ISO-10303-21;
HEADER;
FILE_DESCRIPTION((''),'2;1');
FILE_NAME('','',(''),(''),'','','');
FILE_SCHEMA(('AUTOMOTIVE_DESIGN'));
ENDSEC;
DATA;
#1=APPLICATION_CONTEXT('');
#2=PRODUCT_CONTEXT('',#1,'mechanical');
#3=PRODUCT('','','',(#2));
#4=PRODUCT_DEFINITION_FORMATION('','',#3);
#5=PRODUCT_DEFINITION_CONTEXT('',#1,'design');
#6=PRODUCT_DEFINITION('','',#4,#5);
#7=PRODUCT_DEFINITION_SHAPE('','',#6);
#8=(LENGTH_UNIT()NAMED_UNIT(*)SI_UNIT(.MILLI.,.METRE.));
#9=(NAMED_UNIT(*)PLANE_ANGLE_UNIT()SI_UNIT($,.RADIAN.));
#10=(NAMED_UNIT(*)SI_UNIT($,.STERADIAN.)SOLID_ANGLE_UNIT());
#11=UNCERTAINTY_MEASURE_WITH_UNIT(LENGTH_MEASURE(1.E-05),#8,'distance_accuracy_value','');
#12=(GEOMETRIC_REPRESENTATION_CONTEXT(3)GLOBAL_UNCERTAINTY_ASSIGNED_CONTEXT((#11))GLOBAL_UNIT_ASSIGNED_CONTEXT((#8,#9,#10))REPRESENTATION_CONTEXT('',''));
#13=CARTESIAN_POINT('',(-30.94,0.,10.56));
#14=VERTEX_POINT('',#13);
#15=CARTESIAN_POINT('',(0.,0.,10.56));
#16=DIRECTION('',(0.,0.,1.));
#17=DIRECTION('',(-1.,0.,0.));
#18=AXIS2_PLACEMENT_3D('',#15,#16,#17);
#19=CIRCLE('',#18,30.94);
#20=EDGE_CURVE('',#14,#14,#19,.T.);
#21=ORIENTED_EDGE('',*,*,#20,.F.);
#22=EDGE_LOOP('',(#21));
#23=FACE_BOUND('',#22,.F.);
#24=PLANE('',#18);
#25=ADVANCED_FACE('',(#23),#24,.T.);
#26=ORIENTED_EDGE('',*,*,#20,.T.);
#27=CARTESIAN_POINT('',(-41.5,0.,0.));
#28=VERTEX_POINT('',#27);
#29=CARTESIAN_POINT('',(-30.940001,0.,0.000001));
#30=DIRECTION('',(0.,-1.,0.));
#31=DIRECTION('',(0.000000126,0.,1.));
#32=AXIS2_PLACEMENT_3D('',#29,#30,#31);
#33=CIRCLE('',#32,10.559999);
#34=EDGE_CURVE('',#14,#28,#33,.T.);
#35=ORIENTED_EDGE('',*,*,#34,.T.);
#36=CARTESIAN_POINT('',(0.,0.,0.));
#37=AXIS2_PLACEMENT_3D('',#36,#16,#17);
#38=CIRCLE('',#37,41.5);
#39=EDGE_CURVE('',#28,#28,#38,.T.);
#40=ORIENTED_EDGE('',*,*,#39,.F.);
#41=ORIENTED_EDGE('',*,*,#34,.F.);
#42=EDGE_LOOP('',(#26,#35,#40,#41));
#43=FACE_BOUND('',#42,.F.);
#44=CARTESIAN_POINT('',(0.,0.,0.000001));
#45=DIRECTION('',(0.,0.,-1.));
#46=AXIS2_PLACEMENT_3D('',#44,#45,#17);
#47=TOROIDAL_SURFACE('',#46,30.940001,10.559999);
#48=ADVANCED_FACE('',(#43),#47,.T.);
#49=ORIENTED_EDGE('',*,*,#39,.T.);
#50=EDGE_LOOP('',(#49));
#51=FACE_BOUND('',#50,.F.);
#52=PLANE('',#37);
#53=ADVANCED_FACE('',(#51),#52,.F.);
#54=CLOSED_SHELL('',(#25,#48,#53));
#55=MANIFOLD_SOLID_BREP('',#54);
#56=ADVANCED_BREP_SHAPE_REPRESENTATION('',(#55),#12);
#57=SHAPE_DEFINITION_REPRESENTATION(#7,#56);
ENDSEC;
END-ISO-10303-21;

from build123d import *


with BuildPart() as f1:
    # F0 (on Front) → F1 (revolve)
    with BuildSketch(Plane.XZ):
        with BuildLine():
            ThreePointArc((-30.94, 10.56), (-38.407048, 7.467048), (-41.5, 0))
            Line((-41.5, 0), (0, 0))
            Line((0, 0), (0, 10.56))
            Line((0, 10.56), (-30.94, 10.56))
        make_face()
    revolve(axis=Axis((0, 0, 5.28), (0, 0, 1)))


solid = f1.part
